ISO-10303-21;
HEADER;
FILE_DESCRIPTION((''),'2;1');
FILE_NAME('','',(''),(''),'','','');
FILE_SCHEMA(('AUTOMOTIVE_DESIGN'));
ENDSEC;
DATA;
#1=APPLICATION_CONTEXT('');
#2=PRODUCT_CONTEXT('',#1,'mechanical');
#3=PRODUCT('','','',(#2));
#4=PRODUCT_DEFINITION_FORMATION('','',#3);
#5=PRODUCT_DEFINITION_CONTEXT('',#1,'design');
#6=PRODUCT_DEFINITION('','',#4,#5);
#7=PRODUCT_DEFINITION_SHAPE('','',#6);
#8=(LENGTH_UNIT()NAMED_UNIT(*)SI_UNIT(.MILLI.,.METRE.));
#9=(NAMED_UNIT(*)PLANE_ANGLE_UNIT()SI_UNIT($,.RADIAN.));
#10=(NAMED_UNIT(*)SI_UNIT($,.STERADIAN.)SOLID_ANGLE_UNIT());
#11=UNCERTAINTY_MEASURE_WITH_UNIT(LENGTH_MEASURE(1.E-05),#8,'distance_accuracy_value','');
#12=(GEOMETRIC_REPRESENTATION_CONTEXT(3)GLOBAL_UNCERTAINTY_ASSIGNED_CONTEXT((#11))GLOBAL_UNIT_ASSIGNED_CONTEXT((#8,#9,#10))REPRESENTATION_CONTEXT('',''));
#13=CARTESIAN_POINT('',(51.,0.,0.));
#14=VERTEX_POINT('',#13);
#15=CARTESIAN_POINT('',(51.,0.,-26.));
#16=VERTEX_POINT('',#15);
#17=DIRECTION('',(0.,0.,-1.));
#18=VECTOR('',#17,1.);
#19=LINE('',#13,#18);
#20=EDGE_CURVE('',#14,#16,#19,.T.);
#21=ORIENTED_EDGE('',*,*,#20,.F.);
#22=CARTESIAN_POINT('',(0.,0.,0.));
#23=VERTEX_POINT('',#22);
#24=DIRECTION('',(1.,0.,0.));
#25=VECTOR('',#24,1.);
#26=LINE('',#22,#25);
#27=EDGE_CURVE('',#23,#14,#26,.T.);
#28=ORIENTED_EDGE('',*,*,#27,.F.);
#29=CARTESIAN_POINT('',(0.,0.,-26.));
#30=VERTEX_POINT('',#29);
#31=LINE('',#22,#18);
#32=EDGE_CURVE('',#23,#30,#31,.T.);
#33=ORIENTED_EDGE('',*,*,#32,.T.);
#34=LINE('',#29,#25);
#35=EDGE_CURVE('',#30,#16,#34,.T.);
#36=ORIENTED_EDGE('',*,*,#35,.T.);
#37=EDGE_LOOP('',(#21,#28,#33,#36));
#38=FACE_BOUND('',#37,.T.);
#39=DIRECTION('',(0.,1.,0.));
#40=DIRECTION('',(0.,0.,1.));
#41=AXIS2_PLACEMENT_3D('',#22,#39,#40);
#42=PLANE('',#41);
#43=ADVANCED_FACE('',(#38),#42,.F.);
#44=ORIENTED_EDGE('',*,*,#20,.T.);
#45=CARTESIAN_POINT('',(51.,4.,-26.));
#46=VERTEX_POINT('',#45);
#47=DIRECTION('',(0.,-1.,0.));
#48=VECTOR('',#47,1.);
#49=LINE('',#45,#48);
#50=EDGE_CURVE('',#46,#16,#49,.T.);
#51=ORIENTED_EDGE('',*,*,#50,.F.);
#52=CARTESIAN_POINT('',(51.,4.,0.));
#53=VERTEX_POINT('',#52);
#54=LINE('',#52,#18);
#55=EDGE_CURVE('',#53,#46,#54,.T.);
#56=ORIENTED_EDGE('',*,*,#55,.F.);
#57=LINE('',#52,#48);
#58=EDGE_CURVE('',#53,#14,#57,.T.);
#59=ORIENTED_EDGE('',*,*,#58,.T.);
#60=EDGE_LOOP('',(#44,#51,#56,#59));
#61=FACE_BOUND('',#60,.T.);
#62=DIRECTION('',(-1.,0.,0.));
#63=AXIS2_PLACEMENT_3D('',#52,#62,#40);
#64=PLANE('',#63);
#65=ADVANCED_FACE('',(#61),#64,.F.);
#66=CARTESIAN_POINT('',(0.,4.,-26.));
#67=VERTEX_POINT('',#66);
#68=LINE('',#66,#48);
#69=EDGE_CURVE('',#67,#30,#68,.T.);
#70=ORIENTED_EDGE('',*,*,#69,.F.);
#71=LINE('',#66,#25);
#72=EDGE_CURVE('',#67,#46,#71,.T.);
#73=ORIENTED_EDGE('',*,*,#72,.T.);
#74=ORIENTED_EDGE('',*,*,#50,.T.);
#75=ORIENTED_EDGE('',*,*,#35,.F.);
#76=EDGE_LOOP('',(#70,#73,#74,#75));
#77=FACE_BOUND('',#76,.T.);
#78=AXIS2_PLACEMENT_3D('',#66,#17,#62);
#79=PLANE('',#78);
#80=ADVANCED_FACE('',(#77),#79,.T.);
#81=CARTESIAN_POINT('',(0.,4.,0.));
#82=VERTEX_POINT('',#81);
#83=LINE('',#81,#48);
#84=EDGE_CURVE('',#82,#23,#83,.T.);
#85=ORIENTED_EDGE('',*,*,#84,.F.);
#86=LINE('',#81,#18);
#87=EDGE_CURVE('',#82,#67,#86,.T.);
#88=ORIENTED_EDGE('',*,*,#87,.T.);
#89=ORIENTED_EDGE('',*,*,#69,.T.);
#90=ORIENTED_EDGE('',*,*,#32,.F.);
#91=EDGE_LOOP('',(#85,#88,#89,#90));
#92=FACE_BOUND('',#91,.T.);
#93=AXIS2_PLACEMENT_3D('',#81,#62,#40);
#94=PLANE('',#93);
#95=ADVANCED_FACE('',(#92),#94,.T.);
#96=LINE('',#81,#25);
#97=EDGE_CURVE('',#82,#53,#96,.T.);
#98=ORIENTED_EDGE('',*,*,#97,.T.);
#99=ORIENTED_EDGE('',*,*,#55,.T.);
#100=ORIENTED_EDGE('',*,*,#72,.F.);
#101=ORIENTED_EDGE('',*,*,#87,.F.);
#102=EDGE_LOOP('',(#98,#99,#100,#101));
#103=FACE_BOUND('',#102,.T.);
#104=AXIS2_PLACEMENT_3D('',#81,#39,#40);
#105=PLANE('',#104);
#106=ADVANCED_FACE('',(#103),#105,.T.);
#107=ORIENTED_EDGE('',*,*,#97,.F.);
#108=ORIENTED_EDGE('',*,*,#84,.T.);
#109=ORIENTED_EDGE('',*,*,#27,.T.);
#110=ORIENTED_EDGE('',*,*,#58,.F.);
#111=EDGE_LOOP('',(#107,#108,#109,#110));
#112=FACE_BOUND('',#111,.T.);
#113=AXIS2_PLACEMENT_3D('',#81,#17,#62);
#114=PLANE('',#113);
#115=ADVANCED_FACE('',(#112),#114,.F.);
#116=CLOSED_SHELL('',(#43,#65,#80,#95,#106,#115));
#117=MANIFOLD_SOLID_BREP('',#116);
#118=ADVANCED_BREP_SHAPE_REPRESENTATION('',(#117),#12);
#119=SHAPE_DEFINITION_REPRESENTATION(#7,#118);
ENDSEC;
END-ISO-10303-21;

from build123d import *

# Parameters (mm, degrees)
SKETCH_1_W      = 51
SKETCH_1_H      = 26
EXTRUDE_1_DEPTH = 4


with BuildPart() as part:
    # Эскиз1 → Бобышка-Вытянуть1 (new body)
    with BuildSketch(Plane(origin=(0, 0, 0), x_dir=(1, 0, 0), z_dir=(0, 1, 0))):
        with Locations((25.5, 13)):
            Rectangle(SKETCH_1_W, SKETCH_1_H)
    extrude(amount=EXTRUDE_1_DEPTH)


solid = part.part
